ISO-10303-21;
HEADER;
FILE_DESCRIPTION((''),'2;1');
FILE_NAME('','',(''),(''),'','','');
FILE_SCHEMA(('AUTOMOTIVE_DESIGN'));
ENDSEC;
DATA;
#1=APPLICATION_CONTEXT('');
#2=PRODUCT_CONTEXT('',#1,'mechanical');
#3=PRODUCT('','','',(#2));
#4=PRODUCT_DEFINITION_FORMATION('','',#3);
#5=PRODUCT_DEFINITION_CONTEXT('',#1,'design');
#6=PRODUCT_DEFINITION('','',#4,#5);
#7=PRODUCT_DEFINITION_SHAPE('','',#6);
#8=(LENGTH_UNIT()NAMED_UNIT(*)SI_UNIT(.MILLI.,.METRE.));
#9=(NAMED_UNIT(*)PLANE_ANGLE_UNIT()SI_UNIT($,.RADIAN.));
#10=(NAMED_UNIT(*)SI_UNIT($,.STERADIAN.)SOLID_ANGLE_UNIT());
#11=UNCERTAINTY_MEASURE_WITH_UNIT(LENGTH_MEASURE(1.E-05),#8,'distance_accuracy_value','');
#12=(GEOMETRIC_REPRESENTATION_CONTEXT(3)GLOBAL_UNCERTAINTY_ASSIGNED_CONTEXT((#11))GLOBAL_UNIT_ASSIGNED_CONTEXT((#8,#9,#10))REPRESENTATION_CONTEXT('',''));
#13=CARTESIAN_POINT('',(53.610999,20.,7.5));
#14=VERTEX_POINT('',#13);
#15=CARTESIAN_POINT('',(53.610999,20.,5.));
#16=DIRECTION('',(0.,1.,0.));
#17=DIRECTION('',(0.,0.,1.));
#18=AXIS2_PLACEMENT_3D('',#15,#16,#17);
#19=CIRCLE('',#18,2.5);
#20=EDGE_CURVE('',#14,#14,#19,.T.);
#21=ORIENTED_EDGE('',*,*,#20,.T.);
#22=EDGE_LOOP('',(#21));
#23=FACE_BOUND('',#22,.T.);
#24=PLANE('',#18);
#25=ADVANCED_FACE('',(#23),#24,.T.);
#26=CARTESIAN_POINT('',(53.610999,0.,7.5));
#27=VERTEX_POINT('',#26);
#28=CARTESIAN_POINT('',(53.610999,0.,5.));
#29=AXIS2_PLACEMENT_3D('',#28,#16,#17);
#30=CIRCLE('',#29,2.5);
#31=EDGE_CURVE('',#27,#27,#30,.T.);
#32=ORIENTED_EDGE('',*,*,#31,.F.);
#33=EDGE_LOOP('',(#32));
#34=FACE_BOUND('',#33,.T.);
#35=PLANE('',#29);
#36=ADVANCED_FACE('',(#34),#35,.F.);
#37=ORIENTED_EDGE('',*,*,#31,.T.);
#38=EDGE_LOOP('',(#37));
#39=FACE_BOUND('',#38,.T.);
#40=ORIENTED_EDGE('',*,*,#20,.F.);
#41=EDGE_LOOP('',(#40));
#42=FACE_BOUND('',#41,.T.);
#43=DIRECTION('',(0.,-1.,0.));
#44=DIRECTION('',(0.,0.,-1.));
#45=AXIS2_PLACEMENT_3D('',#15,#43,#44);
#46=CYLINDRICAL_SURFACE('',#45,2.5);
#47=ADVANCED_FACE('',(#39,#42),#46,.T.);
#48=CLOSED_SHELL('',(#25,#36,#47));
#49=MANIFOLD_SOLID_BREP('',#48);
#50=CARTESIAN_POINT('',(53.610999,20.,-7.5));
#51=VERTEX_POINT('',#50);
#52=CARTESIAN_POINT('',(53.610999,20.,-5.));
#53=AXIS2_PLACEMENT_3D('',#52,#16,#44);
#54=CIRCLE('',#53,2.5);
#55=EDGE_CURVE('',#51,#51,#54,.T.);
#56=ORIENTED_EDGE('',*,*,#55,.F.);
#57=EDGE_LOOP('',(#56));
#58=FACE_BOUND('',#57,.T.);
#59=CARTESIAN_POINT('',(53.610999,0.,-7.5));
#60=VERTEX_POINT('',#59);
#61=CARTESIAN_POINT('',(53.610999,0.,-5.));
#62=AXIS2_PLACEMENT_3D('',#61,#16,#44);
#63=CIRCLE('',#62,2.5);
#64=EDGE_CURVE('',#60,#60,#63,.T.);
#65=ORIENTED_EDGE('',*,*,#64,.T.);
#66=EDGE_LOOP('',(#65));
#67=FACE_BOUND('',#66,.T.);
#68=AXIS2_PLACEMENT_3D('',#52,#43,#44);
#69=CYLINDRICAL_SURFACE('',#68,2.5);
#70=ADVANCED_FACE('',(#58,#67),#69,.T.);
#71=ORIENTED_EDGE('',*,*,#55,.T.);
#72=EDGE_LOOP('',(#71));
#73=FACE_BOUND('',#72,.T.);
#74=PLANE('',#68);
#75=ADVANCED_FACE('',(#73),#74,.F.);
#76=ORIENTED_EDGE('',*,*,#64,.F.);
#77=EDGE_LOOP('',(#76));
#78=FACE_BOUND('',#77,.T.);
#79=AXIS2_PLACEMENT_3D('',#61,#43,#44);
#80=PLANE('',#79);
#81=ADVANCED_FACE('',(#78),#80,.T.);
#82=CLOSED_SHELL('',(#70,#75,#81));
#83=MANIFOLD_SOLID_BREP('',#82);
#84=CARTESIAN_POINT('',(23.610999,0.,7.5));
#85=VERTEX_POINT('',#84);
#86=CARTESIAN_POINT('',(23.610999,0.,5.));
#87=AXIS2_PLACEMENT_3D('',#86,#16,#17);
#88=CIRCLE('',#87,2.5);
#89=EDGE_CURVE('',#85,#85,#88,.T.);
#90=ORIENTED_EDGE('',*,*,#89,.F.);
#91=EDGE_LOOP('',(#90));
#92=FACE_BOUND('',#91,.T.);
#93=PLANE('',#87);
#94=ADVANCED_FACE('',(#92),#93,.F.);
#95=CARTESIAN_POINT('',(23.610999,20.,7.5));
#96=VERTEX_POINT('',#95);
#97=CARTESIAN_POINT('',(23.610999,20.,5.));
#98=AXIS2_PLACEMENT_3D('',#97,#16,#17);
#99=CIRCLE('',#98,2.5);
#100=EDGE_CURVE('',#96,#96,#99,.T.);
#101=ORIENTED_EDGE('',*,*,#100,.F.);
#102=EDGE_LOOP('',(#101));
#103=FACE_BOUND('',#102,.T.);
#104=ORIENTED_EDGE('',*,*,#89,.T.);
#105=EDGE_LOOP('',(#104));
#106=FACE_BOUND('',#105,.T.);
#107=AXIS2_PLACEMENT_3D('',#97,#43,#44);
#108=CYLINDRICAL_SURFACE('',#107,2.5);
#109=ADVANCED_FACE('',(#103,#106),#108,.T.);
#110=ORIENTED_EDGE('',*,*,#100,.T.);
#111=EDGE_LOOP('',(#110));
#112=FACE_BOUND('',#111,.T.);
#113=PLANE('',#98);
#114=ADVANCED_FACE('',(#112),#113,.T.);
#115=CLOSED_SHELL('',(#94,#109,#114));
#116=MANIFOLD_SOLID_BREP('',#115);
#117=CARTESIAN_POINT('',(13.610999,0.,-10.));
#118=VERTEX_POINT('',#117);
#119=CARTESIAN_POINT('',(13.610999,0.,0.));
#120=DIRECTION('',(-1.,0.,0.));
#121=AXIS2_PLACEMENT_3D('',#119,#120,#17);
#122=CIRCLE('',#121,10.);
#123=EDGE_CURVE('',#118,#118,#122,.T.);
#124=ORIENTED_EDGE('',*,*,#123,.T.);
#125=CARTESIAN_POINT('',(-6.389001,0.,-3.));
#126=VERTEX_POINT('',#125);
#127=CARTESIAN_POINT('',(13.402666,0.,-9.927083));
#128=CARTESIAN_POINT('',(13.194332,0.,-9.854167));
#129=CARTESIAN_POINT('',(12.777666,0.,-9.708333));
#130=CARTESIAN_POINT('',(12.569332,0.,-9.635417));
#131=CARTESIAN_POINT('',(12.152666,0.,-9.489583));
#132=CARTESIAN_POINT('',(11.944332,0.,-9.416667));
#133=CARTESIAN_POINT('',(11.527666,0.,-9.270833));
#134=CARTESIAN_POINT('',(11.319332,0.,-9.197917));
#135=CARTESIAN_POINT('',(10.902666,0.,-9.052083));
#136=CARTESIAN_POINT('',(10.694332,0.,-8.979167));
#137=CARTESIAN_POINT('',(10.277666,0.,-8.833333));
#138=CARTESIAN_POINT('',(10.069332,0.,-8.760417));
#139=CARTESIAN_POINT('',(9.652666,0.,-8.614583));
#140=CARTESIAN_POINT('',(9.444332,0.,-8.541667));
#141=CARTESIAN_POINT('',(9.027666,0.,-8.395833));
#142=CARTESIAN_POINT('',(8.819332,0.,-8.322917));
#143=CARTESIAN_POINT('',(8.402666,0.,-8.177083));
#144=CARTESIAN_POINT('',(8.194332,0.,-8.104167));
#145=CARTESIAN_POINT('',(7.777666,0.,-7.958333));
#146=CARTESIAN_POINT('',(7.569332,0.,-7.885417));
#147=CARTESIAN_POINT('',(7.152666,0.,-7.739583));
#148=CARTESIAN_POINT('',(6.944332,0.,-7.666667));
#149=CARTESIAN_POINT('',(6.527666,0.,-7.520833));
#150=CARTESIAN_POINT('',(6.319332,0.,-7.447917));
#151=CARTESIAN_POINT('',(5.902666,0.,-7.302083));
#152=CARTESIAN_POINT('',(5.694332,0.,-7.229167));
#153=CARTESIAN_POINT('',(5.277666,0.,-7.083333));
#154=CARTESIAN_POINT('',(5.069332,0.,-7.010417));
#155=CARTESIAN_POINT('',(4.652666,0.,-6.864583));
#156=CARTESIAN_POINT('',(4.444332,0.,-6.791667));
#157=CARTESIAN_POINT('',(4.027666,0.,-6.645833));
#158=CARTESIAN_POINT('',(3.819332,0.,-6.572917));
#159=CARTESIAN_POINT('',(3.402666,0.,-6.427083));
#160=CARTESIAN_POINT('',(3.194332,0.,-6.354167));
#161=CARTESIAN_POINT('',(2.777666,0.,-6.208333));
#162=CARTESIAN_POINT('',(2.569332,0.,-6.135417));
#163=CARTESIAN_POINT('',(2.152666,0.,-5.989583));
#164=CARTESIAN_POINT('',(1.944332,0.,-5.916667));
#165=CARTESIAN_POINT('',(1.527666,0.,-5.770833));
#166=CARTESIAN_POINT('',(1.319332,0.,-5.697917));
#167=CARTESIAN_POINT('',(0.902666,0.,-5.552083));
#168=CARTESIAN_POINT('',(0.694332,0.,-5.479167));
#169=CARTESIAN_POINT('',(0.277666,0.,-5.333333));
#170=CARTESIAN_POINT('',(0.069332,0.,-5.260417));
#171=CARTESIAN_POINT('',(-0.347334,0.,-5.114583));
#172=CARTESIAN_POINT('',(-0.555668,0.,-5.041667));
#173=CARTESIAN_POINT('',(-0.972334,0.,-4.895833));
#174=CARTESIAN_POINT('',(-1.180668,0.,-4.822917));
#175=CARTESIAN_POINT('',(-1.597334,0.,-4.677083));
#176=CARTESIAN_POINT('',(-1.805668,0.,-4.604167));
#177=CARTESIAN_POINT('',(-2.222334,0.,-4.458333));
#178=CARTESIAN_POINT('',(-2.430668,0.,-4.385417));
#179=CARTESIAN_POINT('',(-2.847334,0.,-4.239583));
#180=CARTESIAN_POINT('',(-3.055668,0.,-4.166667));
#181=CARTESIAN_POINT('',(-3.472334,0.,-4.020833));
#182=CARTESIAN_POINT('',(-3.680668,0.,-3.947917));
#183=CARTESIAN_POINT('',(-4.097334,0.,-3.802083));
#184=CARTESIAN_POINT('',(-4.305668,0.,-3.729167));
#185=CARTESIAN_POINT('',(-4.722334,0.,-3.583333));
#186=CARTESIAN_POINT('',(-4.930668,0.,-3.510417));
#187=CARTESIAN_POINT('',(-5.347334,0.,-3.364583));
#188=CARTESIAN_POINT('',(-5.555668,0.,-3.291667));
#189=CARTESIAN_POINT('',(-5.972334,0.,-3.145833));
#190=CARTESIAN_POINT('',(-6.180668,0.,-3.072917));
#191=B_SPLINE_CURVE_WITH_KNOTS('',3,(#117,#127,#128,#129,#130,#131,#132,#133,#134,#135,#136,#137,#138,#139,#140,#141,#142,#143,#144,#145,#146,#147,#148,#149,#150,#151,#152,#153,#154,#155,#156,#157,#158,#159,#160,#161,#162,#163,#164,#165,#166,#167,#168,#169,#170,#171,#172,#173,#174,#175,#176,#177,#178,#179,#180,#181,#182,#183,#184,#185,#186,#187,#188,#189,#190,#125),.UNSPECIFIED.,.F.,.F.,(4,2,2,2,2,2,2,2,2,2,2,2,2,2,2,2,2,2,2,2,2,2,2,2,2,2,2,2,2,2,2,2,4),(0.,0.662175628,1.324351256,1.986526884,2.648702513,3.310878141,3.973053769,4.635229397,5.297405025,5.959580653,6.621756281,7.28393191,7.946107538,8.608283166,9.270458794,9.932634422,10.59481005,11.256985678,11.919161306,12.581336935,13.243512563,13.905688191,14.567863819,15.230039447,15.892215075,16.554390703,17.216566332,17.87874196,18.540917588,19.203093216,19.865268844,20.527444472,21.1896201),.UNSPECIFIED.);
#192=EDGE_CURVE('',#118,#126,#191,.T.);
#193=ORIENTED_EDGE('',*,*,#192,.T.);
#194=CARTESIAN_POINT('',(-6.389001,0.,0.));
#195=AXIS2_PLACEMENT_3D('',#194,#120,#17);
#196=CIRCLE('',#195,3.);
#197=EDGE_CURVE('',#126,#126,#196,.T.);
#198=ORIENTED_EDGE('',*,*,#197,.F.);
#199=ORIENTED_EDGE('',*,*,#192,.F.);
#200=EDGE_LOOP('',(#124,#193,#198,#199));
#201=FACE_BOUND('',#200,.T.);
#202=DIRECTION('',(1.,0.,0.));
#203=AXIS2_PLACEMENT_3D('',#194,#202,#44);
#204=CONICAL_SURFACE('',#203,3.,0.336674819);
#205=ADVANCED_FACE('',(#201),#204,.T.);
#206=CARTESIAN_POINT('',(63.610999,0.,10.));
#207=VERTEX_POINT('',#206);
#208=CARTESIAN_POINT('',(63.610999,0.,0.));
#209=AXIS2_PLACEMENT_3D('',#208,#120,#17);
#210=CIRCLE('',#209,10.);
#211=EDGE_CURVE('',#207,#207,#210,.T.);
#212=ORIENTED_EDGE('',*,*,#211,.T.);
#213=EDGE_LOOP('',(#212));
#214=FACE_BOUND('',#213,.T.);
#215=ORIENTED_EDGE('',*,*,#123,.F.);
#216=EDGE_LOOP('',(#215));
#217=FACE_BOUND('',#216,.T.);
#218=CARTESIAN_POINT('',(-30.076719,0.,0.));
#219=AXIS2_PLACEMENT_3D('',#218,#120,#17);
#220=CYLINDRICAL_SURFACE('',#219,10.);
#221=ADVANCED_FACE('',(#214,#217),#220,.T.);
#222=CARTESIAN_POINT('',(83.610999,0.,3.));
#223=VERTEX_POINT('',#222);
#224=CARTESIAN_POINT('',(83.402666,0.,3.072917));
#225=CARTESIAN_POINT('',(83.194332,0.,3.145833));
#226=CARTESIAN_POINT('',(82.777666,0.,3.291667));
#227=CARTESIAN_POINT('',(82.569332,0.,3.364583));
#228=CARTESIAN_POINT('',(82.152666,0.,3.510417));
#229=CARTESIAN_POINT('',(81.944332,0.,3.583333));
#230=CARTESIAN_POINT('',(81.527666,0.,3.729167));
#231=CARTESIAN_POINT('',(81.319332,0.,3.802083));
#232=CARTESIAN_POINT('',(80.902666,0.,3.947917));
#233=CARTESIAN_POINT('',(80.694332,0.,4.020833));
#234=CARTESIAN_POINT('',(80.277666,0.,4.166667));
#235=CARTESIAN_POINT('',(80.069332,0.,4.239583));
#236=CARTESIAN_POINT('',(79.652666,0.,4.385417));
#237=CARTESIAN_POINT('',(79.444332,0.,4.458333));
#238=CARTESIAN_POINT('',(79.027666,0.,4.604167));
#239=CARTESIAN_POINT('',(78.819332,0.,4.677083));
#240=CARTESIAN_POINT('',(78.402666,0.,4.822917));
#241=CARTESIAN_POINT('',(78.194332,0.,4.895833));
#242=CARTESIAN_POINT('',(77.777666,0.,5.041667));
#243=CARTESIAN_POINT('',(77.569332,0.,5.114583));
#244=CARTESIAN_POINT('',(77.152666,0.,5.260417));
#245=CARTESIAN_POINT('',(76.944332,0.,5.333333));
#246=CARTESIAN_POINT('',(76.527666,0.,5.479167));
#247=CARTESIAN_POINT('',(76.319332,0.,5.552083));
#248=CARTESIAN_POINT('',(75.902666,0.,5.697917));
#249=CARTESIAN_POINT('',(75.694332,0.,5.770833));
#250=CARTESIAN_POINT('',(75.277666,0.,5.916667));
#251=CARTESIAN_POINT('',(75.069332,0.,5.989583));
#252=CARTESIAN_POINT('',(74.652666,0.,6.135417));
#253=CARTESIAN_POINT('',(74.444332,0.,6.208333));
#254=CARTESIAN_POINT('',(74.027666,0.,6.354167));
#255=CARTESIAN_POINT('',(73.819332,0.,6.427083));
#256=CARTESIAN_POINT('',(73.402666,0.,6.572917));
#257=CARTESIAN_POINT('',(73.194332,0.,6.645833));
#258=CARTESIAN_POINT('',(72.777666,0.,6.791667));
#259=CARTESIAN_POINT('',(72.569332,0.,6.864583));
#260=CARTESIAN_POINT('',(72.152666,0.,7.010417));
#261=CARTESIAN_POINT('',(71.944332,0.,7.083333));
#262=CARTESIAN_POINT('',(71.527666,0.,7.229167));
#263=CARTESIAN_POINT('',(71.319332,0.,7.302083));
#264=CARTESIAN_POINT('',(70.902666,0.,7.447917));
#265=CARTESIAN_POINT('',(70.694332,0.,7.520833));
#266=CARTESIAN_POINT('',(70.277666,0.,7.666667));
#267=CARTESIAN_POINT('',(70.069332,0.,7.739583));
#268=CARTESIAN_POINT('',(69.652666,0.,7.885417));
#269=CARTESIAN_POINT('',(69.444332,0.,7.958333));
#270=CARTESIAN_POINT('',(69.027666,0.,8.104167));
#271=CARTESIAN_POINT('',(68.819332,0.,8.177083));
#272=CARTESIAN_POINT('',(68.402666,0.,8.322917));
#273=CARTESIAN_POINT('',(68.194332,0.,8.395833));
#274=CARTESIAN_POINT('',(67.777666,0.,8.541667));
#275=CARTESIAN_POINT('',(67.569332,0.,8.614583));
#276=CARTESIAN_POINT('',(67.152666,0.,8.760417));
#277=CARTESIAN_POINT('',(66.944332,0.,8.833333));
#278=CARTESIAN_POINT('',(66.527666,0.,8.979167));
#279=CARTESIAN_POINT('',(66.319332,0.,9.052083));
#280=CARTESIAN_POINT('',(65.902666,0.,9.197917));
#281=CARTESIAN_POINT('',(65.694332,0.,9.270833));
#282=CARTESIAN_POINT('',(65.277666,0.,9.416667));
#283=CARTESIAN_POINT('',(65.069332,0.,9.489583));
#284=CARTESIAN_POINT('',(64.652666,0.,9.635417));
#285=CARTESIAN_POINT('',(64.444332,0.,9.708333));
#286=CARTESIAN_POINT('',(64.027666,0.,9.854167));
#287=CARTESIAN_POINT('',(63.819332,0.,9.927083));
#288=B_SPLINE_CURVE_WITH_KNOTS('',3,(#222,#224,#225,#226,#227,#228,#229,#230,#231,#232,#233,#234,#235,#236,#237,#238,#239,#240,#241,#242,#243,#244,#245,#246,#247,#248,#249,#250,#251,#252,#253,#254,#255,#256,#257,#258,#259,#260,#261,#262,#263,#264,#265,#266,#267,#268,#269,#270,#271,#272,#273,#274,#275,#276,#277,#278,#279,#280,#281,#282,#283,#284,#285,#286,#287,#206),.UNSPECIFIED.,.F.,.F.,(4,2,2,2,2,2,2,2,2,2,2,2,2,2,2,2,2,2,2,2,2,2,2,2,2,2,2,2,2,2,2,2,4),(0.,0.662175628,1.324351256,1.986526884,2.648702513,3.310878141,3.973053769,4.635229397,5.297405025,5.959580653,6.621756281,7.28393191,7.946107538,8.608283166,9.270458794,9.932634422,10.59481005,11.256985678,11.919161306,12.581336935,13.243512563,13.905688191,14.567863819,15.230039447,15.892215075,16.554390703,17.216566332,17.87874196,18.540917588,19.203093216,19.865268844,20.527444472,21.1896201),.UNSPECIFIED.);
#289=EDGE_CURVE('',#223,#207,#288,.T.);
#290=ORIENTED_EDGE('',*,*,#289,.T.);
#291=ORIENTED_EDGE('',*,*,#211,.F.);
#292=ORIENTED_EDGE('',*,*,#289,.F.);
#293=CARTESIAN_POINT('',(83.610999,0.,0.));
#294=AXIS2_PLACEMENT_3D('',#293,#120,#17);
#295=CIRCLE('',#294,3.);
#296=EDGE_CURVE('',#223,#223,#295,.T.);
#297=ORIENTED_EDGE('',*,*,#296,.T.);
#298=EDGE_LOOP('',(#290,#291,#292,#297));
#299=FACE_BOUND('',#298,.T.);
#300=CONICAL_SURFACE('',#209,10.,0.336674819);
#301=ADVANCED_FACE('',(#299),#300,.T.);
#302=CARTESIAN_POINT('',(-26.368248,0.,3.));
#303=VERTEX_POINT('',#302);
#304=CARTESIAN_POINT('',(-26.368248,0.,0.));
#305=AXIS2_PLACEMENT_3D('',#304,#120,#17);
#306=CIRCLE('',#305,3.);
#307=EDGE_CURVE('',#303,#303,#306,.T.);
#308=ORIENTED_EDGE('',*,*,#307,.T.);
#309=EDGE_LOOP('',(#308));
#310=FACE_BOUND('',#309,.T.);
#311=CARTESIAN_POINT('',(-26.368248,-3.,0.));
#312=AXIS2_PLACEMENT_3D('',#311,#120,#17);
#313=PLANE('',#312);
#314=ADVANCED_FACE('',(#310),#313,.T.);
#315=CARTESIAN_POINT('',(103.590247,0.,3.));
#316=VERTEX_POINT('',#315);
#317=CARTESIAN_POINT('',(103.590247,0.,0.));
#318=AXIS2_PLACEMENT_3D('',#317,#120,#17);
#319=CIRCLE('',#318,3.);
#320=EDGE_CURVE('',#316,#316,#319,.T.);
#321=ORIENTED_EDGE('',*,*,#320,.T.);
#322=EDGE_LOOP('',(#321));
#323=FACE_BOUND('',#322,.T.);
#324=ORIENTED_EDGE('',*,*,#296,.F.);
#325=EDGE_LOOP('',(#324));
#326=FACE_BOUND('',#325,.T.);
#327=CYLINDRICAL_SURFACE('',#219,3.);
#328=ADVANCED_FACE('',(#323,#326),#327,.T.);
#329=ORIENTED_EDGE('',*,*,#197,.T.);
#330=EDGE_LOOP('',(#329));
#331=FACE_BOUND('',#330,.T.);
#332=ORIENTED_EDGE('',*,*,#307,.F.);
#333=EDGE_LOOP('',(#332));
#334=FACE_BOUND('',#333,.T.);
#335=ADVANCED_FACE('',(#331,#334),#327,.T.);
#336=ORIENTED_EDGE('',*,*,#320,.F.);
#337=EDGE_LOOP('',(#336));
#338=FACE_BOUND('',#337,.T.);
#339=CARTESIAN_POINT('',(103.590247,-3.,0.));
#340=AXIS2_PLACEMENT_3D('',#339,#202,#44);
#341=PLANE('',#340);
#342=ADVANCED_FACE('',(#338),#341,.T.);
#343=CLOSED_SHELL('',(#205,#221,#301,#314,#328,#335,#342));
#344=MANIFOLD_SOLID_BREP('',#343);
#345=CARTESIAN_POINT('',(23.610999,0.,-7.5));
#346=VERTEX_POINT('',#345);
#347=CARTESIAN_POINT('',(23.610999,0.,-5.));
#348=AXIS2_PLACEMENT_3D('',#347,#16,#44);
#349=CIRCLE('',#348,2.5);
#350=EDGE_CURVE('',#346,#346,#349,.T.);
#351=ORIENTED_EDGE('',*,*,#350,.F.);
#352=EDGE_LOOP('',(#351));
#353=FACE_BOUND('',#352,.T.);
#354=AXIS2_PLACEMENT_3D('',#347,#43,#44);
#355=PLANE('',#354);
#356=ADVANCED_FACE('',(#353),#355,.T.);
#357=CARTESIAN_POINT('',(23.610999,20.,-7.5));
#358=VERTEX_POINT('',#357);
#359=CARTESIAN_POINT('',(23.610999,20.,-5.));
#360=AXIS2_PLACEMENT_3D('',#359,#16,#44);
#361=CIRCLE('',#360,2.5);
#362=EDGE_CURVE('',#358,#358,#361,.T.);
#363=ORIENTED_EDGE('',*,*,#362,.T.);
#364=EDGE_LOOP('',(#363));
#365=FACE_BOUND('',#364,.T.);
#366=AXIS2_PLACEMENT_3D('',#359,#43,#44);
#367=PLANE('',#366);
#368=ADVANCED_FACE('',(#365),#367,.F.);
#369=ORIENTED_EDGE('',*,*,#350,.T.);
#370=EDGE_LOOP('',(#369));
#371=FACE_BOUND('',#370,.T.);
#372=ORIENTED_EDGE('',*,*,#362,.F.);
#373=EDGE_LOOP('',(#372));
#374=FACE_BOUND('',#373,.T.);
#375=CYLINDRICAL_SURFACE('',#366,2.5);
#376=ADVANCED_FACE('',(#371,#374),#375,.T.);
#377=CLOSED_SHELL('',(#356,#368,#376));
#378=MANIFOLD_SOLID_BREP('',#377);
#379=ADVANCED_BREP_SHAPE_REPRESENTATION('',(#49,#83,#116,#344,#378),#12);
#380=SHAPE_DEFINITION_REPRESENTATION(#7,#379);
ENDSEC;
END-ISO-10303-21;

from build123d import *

# Parameters (mm, degrees)
ESQUISSE4_R          = 2.5
BOSS_EXTRU_2_DEPTH   = 20
BOSS_EXTRU_2_2_DEPTH = 20
BOSS_EXTRU_2_3_DEPTH = 20
BOSS_EXTRU_2_4_DEPTH = 20


with BuildPart() as part:
    # Esquisse3 → Révolution1 (revolve)
    with BuildSketch(Plane.XY, mode=Mode.PRIVATE) as r_volution1_sk:
        Polygon((-6.389000887, -3), (13.610999113, -10), (63.610999113, -10), (83.610999113, -3), (103.590246684, -3), (103.590246684, 0), (-26.368248458, 0), (-26.368248458, -3), align=None)
    revolve(r_volution1_sk.sketch.rotate(Axis((-30.076719088, 0, 0), (1, 0, 0)), 270), axis=Axis((-30.076719088, 0, 0), (1, 0, 0)))


with BuildPart() as body_2:
    # Esquisse4 → Boss.-Extru.2 (new body)
    with BuildSketch(Plane(origin=(0, 0, 0), x_dir=(1, 0, 0), z_dir=(0, 1, 0))):
        with Locations(Location((23.610999113, -5, 0), (0, 0, 270))):
            Circle(ESQUISSE4_R)
    extrude(amount=BOSS_EXTRU_2_DEPTH)


with BuildPart() as body_3:
    # Esquisse4 → Boss.-Extru.2 2 (new body)
    with BuildSketch(Plane(origin=(0, 0, 0), x_dir=(1, 0, 0), z_dir=(0, 1, 0))):
        with Locations(Location((53.610999113, -5, 0), (0, 0, 270))):
            Circle(ESQUISSE4_R)
    extrude(amount=BOSS_EXTRU_2_2_DEPTH)


with BuildPart() as body_4:
    # Esquisse4 → Boss.-Extru.2 3 (new body)
    with BuildSketch(Plane(origin=(0, 0, 0), x_dir=(1, 0, 0), z_dir=(0, 1, 0))):
        with Locations(Location((53.610999113, 5, 0), (0, 0, 90))):
            Circle(ESQUISSE4_R)
    extrude(amount=BOSS_EXTRU_2_3_DEPTH)


with BuildPart() as body_5:
    # Esquisse4 → Boss.-Extru.2 4 (new body)
    with BuildSketch(Plane(origin=(0, 0, 0), x_dir=(1, 0, 0), z_dir=(0, 1, 0))):
        with Locations(Location((23.610999113, 5, 0), (0, 0, 90))):
            Circle(ESQUISSE4_R)
    extrude(amount=BOSS_EXTRU_2_4_DEPTH)


solid = Compound([part.part, body_2.part, body_3.part, body_4.part, body_5.part])
